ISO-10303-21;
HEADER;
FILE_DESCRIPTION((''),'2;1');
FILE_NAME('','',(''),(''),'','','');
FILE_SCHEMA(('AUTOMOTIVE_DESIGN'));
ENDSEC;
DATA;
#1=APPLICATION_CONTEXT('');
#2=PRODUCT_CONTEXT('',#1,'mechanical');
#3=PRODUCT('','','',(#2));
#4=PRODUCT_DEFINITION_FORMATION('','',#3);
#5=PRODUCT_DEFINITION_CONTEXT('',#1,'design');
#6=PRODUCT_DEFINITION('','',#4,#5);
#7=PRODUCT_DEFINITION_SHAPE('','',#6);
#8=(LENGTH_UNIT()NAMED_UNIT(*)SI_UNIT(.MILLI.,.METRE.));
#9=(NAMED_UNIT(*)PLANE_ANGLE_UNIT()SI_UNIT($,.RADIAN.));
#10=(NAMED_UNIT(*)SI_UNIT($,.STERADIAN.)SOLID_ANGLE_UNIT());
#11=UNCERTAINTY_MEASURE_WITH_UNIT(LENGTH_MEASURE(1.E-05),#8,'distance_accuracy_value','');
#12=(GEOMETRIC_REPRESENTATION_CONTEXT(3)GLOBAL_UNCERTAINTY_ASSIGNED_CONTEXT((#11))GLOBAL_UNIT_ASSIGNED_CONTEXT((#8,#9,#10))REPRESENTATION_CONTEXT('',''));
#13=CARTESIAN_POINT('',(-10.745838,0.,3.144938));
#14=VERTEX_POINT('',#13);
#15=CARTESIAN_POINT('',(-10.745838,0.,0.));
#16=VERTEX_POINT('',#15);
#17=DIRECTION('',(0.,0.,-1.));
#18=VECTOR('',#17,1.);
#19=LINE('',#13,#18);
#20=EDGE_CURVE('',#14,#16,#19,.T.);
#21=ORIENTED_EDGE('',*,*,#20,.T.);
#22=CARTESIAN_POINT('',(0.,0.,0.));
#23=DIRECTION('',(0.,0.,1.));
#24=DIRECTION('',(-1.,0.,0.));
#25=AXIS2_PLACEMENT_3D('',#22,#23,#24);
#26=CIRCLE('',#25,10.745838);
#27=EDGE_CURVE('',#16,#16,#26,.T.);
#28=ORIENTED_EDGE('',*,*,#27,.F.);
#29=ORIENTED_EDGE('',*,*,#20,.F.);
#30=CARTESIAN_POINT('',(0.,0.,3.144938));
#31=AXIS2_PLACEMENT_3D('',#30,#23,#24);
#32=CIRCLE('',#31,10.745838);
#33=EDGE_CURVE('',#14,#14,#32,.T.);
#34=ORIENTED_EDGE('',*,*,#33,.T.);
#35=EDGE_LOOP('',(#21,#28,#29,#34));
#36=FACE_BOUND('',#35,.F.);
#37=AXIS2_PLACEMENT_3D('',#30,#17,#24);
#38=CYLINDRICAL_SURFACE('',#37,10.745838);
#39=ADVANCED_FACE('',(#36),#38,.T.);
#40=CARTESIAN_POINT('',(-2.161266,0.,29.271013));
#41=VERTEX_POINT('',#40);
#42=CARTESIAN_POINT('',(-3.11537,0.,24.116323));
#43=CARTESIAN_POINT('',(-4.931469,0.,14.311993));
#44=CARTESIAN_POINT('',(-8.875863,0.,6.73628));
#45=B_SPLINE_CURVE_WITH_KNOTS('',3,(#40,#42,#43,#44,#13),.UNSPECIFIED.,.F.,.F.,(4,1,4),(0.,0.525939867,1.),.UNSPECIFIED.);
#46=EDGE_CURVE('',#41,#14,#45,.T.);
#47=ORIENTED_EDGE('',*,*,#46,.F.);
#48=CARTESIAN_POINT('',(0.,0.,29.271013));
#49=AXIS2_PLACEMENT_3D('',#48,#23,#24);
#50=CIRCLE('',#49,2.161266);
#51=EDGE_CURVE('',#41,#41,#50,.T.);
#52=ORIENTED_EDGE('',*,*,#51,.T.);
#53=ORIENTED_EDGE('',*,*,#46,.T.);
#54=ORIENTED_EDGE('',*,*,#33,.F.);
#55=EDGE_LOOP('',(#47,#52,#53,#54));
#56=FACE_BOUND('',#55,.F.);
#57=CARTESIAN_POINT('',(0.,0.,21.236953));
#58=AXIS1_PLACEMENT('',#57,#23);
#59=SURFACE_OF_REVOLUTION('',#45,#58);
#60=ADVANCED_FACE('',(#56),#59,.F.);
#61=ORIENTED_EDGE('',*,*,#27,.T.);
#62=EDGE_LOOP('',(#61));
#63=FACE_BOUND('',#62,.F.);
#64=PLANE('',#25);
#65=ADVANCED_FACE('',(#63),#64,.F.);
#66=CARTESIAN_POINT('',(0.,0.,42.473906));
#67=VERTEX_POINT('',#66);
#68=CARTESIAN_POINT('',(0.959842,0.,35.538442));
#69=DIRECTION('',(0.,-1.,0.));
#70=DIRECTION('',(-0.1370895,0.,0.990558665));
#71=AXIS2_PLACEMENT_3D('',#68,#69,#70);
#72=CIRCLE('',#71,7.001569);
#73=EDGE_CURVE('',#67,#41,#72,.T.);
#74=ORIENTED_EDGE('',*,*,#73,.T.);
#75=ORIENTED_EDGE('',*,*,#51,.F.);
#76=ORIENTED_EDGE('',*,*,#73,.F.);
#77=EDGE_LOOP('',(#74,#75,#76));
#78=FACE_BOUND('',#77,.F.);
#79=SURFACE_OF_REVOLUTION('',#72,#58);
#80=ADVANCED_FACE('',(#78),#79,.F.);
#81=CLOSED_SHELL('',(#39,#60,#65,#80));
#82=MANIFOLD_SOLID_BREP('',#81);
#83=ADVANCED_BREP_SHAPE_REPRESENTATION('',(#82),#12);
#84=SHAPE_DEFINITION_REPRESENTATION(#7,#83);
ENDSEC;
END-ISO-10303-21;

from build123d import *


with BuildPart() as f1:
    # F0 (on Front) → F1 (revolve)
    with BuildSketch(Plane.XZ):
        with BuildLine():
            Line((0, 28.6029765309), (0, 42.4739064722))
            ThreePointArc((0, 42.4739064722), (-5.9497628575, 36.6695190414), (-2.1612663802, 29.2710133849))
            ThreePointArc((-2.1612663802, 29.2710133849), (-1.1077912683, 28.8491317793), (0, 28.6029765309))
        make_face()
        with BuildLine():
            ThreePointArc((0, 28.6029765309), (-1.1077912683, 28.8491317793), (-2.1612663802, 29.2710133849))
            add(Edge.make_bspline(
                [(-2.1612663802, 29.2710133849), (-3.1153698825, 24.1163232337), (-4.931469376, 14.3119929829), (-8.8758626108, 6.7362799104), (-10.7458382845, 3.1449378002)],
                knots=[0, 0, 0, 0, 0.5259398672, 1, 1, 1, 1], degree=3))
            Line((-10.7458382845, 3.1449378002), (-10.7458382845, 0))
            Line((-10.7458382845, 0), (0, 0))
            Line((0, 0), (0, 28.6029765309))
        make_face()
    revolve(axis=Axis((0, 0, 21.2369532361), (0, 0, 1)))


solid = f1.part
